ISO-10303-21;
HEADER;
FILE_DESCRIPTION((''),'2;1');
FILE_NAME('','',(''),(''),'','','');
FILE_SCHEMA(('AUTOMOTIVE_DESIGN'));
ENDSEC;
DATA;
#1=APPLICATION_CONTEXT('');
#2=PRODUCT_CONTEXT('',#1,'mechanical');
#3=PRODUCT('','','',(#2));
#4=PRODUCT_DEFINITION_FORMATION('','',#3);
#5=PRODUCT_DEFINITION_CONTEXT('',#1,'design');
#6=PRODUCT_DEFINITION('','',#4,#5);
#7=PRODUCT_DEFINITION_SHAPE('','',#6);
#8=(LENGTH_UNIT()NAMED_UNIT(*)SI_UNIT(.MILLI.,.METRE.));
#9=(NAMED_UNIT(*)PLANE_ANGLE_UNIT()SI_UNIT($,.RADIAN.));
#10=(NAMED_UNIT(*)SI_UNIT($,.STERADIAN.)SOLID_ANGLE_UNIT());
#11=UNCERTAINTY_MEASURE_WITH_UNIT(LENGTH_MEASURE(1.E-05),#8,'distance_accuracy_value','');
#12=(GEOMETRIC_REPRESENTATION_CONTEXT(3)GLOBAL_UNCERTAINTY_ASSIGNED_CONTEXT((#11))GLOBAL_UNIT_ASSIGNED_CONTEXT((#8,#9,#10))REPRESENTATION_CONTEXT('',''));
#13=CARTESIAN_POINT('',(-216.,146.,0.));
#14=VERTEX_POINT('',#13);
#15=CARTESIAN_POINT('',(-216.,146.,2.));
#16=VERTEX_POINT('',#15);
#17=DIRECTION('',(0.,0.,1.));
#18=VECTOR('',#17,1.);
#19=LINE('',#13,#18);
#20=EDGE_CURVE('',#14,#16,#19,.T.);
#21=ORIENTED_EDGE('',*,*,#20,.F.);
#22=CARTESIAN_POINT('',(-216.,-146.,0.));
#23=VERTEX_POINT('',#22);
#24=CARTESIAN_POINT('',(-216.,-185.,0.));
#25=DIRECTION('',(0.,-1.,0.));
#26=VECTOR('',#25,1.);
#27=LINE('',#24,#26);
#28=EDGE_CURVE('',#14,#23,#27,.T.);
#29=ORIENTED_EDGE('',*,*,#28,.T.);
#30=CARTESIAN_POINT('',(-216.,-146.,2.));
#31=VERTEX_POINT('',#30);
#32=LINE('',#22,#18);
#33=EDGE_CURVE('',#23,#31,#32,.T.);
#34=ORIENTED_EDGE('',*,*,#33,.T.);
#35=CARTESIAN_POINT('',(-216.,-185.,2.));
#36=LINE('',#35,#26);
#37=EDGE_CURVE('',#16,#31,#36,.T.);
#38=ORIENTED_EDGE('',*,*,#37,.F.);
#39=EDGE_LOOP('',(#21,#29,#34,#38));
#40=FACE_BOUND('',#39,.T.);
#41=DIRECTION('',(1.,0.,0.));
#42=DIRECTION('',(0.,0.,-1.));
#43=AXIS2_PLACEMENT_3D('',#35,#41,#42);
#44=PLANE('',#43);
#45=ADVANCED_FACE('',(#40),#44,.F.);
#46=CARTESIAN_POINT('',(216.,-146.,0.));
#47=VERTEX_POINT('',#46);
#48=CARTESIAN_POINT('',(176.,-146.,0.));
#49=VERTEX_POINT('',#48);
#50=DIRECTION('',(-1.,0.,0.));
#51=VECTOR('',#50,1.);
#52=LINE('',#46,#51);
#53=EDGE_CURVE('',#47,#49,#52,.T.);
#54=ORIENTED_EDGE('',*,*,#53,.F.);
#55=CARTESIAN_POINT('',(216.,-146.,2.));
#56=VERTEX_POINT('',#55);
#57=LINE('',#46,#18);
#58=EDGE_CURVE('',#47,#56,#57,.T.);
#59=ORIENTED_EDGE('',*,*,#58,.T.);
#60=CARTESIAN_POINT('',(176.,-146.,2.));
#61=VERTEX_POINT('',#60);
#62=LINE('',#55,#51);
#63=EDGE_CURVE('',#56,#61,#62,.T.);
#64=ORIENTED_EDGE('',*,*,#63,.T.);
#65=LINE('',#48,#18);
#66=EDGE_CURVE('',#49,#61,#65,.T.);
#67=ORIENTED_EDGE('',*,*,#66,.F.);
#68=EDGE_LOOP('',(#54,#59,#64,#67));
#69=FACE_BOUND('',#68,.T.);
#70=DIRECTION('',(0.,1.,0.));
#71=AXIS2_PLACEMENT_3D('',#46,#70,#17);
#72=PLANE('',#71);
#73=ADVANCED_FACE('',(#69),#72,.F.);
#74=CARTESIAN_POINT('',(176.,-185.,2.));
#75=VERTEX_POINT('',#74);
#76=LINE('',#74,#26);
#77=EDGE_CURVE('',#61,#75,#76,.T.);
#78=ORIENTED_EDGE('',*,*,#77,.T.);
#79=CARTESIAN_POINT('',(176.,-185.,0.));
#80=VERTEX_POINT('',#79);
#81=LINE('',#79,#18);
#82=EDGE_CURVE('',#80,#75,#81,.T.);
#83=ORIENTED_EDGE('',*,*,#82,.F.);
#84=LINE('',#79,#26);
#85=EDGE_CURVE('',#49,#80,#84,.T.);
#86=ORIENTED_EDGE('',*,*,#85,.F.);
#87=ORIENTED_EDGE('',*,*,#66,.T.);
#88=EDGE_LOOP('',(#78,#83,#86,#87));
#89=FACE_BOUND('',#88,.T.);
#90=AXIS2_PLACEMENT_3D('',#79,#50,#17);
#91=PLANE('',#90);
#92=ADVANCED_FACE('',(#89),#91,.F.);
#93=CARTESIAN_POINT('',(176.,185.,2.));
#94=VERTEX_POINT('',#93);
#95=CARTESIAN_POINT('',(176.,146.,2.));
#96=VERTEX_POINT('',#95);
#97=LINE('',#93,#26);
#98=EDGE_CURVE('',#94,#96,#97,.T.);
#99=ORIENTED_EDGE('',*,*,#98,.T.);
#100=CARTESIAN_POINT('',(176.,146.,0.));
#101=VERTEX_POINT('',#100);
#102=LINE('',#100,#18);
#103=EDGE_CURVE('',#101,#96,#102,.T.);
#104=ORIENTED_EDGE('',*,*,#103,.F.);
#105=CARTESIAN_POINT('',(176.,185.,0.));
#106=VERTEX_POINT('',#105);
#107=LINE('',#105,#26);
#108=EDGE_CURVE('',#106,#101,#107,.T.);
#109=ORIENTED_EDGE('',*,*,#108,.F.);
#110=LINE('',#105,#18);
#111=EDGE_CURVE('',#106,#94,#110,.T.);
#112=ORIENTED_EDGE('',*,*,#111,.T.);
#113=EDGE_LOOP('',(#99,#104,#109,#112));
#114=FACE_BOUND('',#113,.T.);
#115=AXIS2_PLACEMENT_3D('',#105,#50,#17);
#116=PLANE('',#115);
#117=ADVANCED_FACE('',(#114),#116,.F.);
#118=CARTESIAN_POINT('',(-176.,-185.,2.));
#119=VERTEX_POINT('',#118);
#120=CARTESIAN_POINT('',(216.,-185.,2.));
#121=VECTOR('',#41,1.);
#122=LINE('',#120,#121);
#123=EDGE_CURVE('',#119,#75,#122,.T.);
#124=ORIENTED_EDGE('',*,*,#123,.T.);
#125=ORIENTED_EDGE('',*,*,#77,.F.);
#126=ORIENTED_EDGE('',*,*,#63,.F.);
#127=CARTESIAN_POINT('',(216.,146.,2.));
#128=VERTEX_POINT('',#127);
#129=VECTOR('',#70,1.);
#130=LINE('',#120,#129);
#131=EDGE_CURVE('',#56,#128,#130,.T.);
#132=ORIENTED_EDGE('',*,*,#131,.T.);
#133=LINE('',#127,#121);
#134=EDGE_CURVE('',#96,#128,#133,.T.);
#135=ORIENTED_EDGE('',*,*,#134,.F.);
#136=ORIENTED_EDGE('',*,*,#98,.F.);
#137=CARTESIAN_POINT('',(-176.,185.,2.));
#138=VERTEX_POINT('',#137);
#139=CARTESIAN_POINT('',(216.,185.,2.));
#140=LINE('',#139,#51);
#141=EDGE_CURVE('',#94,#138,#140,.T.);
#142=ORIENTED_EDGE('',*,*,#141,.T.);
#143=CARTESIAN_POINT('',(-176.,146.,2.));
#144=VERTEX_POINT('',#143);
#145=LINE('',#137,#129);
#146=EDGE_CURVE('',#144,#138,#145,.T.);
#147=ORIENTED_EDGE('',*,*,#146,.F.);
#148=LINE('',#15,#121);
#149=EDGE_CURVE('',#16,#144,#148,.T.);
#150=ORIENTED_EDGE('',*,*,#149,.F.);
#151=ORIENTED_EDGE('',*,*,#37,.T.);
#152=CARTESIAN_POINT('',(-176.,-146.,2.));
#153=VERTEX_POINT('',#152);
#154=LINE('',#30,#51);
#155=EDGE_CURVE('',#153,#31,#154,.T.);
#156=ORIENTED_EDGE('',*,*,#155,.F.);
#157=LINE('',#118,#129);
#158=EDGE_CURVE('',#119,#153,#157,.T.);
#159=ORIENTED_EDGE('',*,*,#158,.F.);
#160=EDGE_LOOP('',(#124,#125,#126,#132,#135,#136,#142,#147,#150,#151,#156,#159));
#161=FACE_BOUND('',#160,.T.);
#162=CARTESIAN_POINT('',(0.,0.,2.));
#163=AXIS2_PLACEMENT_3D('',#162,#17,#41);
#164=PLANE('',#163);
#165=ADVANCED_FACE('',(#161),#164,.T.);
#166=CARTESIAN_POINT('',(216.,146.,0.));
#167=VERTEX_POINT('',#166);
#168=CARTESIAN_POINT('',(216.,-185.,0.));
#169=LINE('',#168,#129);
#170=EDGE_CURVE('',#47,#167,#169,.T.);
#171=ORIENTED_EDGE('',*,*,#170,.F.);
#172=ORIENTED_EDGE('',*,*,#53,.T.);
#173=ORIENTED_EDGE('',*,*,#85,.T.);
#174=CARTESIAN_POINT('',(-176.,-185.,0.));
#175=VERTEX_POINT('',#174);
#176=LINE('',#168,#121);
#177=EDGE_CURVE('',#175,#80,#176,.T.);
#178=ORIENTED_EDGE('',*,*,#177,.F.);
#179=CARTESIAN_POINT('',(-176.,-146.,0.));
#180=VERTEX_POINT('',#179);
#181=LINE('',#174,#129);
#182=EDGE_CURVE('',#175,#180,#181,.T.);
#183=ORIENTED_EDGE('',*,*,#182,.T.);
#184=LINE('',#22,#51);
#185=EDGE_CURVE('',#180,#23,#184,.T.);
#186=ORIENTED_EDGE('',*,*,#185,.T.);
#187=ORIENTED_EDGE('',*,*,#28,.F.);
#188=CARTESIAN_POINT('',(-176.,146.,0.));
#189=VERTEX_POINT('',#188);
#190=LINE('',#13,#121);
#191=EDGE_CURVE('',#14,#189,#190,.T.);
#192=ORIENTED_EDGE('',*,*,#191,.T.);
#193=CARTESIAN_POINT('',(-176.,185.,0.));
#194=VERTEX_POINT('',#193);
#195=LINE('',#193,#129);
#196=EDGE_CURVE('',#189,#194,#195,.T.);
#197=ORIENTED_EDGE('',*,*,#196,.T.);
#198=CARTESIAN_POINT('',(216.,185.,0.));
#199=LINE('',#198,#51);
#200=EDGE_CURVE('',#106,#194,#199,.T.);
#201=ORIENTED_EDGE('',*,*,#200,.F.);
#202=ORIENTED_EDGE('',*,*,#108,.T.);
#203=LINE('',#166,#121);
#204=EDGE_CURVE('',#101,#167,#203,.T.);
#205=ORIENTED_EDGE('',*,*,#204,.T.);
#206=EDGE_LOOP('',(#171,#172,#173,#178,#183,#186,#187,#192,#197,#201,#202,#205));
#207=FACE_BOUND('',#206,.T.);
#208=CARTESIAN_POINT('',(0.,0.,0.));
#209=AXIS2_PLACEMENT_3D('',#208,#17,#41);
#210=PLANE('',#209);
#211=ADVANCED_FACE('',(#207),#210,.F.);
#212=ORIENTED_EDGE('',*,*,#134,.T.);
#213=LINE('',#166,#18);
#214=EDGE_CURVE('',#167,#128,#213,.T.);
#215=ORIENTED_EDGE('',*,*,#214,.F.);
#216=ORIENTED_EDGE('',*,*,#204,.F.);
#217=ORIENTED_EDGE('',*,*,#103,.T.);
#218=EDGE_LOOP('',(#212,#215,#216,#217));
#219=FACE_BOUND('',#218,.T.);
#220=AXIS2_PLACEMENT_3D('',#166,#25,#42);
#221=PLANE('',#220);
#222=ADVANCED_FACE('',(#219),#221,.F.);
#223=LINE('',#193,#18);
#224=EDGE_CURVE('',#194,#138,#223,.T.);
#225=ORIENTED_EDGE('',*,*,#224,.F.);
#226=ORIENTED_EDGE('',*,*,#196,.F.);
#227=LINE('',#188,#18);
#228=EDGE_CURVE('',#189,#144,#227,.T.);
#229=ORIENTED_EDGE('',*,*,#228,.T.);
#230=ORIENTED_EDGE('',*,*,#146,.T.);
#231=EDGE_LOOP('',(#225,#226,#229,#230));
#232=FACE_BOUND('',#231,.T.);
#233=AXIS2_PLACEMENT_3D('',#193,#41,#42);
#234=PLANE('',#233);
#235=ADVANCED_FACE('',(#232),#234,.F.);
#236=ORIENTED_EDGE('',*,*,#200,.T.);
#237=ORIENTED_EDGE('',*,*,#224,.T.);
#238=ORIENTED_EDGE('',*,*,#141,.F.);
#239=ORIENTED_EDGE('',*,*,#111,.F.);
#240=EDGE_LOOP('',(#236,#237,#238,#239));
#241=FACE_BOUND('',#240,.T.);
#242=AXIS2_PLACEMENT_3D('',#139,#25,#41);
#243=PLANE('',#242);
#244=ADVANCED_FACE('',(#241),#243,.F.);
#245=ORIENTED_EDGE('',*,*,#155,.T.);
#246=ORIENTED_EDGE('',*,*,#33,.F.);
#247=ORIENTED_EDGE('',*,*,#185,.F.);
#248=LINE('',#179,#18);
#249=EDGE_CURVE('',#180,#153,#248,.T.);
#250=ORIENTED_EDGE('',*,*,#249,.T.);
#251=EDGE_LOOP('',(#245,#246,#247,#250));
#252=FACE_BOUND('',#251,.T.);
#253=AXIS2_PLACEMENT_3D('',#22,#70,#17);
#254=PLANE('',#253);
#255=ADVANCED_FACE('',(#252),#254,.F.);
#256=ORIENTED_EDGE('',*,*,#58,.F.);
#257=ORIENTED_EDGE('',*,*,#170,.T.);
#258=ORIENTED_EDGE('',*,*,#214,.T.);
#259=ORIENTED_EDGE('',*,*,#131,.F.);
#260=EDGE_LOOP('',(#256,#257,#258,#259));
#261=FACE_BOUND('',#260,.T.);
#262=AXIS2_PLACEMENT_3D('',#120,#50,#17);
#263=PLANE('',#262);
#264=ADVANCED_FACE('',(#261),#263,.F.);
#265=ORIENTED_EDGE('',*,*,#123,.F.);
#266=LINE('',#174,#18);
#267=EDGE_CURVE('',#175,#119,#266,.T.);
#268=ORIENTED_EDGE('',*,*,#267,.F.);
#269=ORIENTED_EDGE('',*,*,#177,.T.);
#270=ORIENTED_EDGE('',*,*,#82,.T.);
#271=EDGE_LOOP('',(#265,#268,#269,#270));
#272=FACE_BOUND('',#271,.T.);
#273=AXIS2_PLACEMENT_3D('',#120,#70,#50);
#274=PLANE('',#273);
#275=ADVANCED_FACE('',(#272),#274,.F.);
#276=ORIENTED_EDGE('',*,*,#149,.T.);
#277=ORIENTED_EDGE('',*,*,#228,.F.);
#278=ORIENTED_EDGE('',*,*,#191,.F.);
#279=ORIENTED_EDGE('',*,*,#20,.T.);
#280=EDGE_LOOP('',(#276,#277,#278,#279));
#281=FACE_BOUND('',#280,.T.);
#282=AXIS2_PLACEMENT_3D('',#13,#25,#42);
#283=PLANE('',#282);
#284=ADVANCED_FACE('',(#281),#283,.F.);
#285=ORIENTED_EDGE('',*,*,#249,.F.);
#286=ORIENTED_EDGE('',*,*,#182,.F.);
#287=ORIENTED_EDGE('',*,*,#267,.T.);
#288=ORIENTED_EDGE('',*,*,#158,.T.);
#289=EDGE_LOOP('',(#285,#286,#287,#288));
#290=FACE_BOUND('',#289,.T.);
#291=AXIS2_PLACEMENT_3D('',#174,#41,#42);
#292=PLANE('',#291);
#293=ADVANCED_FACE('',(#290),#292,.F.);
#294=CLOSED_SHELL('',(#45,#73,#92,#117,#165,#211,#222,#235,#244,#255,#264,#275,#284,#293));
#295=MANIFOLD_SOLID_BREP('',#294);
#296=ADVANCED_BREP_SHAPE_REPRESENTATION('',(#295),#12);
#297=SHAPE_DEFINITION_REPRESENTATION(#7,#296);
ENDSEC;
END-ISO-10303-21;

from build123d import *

# Parameters (mm, degrees)
CROQUIS1_W              = 432
CROQUIS1_H              = 370
SALIENTE_EXTRUIR1_DEPTH = 2
CROQUIS2_W              = 40
CROQUIS2_H              = 39
CORTAR_EXTRUIR1_DEPTH   = 285.402883248


with BuildPart() as part:
    # Croquis1 → Saliente-Extruir1 (new body)
    with BuildSketch(Plane.XY):
        Rectangle(CROQUIS1_W, CROQUIS1_H)
    extrude(amount=SALIENTE_EXTRUIR1_DEPTH)

    # Croquis2 → Cortar-Extruir1 (cut, through all)
    with BuildSketch(Plane.XY.offset(2)):
        with Locations((-196, 165.5)):
            Rectangle(CROQUIS2_W, CROQUIS2_H)
        with Locations((196, 165.5)):
            Rectangle(CROQUIS2_W, CROQUIS2_H)
        with Locations((196, -165.5)):
            Rectangle(CROQUIS2_W, CROQUIS2_H)
        with Locations((-196, -165.5)):
            Rectangle(CROQUIS2_W, CROQUIS2_H)
    extrude(amount=-CORTAR_EXTRUIR1_DEPTH, mode=Mode.SUBTRACT)


solid = part.part
